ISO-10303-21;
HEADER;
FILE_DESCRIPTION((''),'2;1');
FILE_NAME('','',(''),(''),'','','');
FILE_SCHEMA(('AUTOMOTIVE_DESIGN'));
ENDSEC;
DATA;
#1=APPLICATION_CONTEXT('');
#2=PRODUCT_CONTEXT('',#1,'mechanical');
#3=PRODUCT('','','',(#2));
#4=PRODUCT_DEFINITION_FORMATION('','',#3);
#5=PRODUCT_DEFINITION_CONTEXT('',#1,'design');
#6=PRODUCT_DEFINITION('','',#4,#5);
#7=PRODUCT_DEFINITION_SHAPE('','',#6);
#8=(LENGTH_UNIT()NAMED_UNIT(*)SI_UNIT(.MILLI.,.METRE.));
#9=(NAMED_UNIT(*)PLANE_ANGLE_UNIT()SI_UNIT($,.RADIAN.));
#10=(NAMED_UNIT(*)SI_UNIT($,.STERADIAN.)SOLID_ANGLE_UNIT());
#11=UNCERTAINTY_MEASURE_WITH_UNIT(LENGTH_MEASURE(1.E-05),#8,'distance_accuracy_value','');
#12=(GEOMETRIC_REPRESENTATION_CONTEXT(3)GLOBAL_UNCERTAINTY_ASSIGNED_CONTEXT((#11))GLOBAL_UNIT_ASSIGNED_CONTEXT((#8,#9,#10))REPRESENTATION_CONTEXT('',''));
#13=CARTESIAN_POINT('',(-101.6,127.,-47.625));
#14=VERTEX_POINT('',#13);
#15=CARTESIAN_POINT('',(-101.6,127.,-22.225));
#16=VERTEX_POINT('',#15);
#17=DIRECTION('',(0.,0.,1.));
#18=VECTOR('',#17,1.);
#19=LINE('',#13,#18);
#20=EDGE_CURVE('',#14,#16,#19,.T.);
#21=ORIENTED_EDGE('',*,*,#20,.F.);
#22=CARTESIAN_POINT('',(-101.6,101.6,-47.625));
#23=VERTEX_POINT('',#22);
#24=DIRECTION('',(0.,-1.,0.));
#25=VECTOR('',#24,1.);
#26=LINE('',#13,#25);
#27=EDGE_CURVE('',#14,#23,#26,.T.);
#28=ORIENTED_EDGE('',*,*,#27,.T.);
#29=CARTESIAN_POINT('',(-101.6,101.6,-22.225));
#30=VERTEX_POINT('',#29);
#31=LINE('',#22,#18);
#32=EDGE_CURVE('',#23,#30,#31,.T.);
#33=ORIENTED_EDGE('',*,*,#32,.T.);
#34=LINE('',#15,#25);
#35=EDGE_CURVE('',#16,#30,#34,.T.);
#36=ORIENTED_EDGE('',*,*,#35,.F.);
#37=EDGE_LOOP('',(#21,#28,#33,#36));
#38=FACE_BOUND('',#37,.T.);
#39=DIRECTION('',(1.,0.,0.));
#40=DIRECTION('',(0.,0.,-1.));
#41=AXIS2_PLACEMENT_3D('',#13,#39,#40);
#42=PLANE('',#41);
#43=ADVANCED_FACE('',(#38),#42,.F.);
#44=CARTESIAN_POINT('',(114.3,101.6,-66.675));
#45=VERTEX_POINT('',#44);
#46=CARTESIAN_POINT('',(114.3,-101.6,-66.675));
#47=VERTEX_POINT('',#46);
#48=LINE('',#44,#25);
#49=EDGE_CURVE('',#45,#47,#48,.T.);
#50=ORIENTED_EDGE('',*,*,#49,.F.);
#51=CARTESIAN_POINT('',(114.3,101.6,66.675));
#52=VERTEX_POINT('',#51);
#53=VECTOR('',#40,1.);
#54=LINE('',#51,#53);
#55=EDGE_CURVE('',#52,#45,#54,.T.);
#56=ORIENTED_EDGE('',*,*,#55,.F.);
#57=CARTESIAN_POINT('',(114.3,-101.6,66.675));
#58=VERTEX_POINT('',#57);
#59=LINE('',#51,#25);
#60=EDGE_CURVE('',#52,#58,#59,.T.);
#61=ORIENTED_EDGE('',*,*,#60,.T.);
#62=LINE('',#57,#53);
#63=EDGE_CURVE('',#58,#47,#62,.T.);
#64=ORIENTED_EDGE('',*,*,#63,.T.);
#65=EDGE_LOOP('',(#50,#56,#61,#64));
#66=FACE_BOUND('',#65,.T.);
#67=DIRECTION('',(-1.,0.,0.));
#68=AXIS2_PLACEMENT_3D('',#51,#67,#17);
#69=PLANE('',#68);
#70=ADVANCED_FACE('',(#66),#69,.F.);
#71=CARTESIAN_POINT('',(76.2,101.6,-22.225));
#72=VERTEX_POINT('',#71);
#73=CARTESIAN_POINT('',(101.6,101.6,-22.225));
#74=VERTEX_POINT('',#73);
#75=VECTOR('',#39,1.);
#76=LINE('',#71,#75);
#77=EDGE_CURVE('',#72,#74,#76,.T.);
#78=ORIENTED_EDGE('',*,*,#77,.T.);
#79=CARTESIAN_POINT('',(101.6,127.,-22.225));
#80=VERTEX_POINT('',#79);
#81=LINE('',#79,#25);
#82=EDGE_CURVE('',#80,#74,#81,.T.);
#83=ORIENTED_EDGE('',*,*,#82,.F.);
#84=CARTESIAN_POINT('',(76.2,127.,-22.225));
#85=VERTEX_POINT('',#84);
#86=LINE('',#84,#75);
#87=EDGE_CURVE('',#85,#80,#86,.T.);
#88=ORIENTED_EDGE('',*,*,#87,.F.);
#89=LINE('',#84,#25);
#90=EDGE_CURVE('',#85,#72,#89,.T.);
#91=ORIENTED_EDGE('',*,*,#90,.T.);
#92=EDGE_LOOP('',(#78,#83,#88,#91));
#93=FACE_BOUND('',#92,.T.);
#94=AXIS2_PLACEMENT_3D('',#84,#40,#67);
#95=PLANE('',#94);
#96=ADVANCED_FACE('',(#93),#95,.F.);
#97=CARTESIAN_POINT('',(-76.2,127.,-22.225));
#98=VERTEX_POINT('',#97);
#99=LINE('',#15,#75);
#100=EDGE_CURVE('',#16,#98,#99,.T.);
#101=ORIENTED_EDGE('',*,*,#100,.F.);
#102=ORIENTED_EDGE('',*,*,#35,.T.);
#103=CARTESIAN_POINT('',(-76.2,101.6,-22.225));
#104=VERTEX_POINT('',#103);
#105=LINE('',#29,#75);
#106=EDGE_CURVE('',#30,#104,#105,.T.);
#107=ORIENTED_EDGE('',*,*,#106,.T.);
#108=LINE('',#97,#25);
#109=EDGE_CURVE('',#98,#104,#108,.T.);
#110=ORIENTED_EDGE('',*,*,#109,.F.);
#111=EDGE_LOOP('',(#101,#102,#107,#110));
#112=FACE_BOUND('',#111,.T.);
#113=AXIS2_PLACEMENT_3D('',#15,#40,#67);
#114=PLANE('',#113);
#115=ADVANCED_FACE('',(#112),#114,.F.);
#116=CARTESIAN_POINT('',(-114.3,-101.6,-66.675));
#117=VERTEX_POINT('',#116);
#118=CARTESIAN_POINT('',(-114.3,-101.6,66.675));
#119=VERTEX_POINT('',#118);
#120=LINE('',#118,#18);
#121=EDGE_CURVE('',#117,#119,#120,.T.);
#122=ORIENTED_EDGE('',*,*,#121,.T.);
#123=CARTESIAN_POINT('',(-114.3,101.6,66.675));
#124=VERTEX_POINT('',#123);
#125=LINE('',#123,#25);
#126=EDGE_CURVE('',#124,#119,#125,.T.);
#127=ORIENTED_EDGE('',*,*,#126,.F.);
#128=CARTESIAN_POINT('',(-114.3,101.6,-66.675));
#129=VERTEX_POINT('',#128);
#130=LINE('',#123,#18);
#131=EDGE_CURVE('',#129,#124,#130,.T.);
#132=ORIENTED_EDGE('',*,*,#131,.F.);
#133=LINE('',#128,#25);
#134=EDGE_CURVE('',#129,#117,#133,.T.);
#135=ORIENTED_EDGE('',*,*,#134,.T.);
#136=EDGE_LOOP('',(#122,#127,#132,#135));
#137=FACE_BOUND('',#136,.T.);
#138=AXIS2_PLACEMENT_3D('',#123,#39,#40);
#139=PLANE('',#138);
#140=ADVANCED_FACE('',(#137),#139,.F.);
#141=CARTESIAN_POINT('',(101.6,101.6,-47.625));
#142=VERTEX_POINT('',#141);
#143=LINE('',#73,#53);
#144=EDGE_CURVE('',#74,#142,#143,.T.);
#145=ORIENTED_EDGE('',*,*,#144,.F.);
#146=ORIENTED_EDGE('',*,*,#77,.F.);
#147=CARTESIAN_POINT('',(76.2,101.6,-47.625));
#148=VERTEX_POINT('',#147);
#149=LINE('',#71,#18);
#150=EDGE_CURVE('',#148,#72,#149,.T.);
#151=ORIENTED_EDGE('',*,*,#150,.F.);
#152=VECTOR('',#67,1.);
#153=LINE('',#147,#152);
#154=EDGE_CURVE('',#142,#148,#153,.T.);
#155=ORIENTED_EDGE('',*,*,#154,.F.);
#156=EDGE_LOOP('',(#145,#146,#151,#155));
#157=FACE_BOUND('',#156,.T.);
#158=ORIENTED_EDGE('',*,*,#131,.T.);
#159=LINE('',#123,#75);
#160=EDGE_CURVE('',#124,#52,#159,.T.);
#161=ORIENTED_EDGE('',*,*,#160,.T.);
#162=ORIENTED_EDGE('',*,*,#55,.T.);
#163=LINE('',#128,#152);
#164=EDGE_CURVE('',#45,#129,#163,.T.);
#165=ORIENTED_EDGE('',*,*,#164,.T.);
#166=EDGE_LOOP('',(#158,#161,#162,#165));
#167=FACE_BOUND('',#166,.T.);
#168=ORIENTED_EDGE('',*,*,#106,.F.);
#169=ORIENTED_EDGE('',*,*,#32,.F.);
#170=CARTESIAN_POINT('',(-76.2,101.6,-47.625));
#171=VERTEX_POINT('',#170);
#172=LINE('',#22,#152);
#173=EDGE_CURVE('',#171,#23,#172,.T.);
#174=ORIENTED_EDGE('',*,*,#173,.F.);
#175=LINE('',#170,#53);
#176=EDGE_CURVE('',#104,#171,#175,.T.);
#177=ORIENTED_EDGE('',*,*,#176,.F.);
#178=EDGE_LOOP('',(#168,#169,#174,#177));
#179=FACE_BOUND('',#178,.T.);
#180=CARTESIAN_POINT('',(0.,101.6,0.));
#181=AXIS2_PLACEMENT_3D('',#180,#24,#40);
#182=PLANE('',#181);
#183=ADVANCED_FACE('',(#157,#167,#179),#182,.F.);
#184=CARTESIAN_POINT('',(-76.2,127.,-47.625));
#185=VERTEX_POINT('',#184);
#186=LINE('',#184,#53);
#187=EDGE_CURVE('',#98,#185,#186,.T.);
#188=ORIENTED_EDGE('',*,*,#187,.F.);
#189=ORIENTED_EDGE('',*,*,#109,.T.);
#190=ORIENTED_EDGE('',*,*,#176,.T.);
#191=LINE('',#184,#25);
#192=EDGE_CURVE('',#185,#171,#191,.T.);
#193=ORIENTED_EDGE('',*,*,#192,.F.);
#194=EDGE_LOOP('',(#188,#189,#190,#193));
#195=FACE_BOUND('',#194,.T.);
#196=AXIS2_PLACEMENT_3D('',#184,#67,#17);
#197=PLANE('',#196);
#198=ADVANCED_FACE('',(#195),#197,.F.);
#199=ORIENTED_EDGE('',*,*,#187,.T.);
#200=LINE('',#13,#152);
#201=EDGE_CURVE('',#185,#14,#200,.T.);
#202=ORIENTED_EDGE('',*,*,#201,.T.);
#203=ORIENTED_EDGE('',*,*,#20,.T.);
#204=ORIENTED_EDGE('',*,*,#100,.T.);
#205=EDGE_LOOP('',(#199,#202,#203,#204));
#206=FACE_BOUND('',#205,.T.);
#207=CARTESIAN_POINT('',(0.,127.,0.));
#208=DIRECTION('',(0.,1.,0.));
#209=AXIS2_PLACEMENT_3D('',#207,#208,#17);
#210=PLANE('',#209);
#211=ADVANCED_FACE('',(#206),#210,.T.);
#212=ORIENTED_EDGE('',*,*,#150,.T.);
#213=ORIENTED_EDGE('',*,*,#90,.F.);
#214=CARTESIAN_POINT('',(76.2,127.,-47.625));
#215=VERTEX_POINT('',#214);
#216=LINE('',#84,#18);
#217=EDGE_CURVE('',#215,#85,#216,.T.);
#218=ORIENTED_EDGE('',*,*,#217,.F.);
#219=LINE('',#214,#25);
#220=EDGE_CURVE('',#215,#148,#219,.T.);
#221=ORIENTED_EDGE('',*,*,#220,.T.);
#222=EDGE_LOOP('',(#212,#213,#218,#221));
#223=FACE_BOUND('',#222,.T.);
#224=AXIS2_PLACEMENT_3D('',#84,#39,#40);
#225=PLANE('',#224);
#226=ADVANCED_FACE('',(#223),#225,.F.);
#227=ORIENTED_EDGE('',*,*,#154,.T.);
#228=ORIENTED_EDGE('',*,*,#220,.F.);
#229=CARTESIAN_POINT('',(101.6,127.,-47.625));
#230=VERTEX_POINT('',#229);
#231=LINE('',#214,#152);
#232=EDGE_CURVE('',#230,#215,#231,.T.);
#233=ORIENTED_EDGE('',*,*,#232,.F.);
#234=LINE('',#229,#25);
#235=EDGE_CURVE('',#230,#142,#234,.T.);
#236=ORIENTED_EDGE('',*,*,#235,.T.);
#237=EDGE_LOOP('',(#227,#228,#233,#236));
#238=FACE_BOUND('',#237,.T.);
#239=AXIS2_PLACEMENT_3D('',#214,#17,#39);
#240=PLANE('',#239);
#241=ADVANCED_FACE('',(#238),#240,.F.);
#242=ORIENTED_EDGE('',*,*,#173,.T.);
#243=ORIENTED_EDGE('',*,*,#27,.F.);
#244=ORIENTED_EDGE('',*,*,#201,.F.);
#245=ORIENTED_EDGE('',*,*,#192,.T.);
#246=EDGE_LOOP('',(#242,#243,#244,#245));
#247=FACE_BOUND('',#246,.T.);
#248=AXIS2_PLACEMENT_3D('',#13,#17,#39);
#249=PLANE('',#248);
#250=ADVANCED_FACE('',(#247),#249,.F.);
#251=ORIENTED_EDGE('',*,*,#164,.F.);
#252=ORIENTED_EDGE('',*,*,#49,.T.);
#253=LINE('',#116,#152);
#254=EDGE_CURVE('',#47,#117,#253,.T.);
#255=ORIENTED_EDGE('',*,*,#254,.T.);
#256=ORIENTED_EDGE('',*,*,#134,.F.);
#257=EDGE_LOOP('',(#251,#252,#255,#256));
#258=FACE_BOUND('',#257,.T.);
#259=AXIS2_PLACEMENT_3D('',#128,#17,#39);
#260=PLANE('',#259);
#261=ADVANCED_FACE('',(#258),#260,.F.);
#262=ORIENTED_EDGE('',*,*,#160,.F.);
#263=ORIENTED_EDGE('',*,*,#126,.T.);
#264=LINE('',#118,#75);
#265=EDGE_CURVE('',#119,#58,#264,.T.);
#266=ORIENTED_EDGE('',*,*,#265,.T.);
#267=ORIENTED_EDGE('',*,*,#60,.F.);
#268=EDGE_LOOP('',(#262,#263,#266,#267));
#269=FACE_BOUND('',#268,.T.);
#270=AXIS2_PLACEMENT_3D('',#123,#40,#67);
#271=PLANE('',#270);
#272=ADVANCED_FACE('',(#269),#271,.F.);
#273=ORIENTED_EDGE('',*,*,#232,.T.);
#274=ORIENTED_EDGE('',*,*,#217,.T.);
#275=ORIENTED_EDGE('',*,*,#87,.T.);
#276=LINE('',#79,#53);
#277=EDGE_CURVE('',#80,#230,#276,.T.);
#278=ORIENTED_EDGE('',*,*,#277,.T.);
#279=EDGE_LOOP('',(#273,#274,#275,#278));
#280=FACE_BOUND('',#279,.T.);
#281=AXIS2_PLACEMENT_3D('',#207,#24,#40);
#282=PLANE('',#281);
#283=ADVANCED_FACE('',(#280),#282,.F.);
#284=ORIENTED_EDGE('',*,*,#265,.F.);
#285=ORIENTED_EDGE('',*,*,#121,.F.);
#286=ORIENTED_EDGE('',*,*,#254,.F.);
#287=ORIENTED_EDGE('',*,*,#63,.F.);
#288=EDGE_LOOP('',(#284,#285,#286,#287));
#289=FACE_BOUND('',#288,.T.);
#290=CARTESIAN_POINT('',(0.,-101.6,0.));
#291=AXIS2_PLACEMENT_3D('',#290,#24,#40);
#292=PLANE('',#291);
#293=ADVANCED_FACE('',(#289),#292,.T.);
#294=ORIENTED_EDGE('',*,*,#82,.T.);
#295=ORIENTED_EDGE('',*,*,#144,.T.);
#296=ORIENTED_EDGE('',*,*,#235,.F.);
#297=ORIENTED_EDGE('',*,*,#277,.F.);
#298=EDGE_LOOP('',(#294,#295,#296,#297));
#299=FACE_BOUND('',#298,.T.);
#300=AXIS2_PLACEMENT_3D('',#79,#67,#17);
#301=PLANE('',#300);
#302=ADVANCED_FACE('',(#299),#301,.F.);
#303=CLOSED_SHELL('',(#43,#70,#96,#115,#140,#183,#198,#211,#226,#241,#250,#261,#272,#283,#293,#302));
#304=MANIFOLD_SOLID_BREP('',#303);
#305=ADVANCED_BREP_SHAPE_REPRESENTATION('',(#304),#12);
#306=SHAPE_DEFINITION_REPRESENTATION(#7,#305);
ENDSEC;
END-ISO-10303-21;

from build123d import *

# Parameters (mm, degrees)
SKETCH1_W           = 228.6
SKETCH1_H           = 133.35
BOSS_EXTRUDE1_DEPTH = 101.6
SKETCH2_W           = 25.4
SKETCH2_H           = 25.4
BOSS_EXTRUDE2_DEPTH = 25.4


with BuildPart() as part:
    # Sketch1 → Boss-Extrude1 (new, symmetric)
    with BuildSketch(Plane(origin=(0, 0, 0), x_dir=(1, 0, 0), z_dir=(0, 1, 0))):
        Rectangle(SKETCH1_W, SKETCH1_H)
    extrude(amount=BOSS_EXTRUDE1_DEPTH, both=True)

    # Sketch2 → Boss-Extrude2 (add)
    with BuildSketch(Plane(origin=(0, 101.6, 0), x_dir=(1, 0, 0), z_dir=(0, 1, 0))):
        with Locations((-88.9, 34.925)):
            Rectangle(SKETCH2_W, SKETCH2_H)
        with Locations((88.9, 34.925)):
            Rectangle(SKETCH2_W, SKETCH2_H)
    extrude(amount=BOSS_EXTRUDE2_DEPTH)


solid = part.part
